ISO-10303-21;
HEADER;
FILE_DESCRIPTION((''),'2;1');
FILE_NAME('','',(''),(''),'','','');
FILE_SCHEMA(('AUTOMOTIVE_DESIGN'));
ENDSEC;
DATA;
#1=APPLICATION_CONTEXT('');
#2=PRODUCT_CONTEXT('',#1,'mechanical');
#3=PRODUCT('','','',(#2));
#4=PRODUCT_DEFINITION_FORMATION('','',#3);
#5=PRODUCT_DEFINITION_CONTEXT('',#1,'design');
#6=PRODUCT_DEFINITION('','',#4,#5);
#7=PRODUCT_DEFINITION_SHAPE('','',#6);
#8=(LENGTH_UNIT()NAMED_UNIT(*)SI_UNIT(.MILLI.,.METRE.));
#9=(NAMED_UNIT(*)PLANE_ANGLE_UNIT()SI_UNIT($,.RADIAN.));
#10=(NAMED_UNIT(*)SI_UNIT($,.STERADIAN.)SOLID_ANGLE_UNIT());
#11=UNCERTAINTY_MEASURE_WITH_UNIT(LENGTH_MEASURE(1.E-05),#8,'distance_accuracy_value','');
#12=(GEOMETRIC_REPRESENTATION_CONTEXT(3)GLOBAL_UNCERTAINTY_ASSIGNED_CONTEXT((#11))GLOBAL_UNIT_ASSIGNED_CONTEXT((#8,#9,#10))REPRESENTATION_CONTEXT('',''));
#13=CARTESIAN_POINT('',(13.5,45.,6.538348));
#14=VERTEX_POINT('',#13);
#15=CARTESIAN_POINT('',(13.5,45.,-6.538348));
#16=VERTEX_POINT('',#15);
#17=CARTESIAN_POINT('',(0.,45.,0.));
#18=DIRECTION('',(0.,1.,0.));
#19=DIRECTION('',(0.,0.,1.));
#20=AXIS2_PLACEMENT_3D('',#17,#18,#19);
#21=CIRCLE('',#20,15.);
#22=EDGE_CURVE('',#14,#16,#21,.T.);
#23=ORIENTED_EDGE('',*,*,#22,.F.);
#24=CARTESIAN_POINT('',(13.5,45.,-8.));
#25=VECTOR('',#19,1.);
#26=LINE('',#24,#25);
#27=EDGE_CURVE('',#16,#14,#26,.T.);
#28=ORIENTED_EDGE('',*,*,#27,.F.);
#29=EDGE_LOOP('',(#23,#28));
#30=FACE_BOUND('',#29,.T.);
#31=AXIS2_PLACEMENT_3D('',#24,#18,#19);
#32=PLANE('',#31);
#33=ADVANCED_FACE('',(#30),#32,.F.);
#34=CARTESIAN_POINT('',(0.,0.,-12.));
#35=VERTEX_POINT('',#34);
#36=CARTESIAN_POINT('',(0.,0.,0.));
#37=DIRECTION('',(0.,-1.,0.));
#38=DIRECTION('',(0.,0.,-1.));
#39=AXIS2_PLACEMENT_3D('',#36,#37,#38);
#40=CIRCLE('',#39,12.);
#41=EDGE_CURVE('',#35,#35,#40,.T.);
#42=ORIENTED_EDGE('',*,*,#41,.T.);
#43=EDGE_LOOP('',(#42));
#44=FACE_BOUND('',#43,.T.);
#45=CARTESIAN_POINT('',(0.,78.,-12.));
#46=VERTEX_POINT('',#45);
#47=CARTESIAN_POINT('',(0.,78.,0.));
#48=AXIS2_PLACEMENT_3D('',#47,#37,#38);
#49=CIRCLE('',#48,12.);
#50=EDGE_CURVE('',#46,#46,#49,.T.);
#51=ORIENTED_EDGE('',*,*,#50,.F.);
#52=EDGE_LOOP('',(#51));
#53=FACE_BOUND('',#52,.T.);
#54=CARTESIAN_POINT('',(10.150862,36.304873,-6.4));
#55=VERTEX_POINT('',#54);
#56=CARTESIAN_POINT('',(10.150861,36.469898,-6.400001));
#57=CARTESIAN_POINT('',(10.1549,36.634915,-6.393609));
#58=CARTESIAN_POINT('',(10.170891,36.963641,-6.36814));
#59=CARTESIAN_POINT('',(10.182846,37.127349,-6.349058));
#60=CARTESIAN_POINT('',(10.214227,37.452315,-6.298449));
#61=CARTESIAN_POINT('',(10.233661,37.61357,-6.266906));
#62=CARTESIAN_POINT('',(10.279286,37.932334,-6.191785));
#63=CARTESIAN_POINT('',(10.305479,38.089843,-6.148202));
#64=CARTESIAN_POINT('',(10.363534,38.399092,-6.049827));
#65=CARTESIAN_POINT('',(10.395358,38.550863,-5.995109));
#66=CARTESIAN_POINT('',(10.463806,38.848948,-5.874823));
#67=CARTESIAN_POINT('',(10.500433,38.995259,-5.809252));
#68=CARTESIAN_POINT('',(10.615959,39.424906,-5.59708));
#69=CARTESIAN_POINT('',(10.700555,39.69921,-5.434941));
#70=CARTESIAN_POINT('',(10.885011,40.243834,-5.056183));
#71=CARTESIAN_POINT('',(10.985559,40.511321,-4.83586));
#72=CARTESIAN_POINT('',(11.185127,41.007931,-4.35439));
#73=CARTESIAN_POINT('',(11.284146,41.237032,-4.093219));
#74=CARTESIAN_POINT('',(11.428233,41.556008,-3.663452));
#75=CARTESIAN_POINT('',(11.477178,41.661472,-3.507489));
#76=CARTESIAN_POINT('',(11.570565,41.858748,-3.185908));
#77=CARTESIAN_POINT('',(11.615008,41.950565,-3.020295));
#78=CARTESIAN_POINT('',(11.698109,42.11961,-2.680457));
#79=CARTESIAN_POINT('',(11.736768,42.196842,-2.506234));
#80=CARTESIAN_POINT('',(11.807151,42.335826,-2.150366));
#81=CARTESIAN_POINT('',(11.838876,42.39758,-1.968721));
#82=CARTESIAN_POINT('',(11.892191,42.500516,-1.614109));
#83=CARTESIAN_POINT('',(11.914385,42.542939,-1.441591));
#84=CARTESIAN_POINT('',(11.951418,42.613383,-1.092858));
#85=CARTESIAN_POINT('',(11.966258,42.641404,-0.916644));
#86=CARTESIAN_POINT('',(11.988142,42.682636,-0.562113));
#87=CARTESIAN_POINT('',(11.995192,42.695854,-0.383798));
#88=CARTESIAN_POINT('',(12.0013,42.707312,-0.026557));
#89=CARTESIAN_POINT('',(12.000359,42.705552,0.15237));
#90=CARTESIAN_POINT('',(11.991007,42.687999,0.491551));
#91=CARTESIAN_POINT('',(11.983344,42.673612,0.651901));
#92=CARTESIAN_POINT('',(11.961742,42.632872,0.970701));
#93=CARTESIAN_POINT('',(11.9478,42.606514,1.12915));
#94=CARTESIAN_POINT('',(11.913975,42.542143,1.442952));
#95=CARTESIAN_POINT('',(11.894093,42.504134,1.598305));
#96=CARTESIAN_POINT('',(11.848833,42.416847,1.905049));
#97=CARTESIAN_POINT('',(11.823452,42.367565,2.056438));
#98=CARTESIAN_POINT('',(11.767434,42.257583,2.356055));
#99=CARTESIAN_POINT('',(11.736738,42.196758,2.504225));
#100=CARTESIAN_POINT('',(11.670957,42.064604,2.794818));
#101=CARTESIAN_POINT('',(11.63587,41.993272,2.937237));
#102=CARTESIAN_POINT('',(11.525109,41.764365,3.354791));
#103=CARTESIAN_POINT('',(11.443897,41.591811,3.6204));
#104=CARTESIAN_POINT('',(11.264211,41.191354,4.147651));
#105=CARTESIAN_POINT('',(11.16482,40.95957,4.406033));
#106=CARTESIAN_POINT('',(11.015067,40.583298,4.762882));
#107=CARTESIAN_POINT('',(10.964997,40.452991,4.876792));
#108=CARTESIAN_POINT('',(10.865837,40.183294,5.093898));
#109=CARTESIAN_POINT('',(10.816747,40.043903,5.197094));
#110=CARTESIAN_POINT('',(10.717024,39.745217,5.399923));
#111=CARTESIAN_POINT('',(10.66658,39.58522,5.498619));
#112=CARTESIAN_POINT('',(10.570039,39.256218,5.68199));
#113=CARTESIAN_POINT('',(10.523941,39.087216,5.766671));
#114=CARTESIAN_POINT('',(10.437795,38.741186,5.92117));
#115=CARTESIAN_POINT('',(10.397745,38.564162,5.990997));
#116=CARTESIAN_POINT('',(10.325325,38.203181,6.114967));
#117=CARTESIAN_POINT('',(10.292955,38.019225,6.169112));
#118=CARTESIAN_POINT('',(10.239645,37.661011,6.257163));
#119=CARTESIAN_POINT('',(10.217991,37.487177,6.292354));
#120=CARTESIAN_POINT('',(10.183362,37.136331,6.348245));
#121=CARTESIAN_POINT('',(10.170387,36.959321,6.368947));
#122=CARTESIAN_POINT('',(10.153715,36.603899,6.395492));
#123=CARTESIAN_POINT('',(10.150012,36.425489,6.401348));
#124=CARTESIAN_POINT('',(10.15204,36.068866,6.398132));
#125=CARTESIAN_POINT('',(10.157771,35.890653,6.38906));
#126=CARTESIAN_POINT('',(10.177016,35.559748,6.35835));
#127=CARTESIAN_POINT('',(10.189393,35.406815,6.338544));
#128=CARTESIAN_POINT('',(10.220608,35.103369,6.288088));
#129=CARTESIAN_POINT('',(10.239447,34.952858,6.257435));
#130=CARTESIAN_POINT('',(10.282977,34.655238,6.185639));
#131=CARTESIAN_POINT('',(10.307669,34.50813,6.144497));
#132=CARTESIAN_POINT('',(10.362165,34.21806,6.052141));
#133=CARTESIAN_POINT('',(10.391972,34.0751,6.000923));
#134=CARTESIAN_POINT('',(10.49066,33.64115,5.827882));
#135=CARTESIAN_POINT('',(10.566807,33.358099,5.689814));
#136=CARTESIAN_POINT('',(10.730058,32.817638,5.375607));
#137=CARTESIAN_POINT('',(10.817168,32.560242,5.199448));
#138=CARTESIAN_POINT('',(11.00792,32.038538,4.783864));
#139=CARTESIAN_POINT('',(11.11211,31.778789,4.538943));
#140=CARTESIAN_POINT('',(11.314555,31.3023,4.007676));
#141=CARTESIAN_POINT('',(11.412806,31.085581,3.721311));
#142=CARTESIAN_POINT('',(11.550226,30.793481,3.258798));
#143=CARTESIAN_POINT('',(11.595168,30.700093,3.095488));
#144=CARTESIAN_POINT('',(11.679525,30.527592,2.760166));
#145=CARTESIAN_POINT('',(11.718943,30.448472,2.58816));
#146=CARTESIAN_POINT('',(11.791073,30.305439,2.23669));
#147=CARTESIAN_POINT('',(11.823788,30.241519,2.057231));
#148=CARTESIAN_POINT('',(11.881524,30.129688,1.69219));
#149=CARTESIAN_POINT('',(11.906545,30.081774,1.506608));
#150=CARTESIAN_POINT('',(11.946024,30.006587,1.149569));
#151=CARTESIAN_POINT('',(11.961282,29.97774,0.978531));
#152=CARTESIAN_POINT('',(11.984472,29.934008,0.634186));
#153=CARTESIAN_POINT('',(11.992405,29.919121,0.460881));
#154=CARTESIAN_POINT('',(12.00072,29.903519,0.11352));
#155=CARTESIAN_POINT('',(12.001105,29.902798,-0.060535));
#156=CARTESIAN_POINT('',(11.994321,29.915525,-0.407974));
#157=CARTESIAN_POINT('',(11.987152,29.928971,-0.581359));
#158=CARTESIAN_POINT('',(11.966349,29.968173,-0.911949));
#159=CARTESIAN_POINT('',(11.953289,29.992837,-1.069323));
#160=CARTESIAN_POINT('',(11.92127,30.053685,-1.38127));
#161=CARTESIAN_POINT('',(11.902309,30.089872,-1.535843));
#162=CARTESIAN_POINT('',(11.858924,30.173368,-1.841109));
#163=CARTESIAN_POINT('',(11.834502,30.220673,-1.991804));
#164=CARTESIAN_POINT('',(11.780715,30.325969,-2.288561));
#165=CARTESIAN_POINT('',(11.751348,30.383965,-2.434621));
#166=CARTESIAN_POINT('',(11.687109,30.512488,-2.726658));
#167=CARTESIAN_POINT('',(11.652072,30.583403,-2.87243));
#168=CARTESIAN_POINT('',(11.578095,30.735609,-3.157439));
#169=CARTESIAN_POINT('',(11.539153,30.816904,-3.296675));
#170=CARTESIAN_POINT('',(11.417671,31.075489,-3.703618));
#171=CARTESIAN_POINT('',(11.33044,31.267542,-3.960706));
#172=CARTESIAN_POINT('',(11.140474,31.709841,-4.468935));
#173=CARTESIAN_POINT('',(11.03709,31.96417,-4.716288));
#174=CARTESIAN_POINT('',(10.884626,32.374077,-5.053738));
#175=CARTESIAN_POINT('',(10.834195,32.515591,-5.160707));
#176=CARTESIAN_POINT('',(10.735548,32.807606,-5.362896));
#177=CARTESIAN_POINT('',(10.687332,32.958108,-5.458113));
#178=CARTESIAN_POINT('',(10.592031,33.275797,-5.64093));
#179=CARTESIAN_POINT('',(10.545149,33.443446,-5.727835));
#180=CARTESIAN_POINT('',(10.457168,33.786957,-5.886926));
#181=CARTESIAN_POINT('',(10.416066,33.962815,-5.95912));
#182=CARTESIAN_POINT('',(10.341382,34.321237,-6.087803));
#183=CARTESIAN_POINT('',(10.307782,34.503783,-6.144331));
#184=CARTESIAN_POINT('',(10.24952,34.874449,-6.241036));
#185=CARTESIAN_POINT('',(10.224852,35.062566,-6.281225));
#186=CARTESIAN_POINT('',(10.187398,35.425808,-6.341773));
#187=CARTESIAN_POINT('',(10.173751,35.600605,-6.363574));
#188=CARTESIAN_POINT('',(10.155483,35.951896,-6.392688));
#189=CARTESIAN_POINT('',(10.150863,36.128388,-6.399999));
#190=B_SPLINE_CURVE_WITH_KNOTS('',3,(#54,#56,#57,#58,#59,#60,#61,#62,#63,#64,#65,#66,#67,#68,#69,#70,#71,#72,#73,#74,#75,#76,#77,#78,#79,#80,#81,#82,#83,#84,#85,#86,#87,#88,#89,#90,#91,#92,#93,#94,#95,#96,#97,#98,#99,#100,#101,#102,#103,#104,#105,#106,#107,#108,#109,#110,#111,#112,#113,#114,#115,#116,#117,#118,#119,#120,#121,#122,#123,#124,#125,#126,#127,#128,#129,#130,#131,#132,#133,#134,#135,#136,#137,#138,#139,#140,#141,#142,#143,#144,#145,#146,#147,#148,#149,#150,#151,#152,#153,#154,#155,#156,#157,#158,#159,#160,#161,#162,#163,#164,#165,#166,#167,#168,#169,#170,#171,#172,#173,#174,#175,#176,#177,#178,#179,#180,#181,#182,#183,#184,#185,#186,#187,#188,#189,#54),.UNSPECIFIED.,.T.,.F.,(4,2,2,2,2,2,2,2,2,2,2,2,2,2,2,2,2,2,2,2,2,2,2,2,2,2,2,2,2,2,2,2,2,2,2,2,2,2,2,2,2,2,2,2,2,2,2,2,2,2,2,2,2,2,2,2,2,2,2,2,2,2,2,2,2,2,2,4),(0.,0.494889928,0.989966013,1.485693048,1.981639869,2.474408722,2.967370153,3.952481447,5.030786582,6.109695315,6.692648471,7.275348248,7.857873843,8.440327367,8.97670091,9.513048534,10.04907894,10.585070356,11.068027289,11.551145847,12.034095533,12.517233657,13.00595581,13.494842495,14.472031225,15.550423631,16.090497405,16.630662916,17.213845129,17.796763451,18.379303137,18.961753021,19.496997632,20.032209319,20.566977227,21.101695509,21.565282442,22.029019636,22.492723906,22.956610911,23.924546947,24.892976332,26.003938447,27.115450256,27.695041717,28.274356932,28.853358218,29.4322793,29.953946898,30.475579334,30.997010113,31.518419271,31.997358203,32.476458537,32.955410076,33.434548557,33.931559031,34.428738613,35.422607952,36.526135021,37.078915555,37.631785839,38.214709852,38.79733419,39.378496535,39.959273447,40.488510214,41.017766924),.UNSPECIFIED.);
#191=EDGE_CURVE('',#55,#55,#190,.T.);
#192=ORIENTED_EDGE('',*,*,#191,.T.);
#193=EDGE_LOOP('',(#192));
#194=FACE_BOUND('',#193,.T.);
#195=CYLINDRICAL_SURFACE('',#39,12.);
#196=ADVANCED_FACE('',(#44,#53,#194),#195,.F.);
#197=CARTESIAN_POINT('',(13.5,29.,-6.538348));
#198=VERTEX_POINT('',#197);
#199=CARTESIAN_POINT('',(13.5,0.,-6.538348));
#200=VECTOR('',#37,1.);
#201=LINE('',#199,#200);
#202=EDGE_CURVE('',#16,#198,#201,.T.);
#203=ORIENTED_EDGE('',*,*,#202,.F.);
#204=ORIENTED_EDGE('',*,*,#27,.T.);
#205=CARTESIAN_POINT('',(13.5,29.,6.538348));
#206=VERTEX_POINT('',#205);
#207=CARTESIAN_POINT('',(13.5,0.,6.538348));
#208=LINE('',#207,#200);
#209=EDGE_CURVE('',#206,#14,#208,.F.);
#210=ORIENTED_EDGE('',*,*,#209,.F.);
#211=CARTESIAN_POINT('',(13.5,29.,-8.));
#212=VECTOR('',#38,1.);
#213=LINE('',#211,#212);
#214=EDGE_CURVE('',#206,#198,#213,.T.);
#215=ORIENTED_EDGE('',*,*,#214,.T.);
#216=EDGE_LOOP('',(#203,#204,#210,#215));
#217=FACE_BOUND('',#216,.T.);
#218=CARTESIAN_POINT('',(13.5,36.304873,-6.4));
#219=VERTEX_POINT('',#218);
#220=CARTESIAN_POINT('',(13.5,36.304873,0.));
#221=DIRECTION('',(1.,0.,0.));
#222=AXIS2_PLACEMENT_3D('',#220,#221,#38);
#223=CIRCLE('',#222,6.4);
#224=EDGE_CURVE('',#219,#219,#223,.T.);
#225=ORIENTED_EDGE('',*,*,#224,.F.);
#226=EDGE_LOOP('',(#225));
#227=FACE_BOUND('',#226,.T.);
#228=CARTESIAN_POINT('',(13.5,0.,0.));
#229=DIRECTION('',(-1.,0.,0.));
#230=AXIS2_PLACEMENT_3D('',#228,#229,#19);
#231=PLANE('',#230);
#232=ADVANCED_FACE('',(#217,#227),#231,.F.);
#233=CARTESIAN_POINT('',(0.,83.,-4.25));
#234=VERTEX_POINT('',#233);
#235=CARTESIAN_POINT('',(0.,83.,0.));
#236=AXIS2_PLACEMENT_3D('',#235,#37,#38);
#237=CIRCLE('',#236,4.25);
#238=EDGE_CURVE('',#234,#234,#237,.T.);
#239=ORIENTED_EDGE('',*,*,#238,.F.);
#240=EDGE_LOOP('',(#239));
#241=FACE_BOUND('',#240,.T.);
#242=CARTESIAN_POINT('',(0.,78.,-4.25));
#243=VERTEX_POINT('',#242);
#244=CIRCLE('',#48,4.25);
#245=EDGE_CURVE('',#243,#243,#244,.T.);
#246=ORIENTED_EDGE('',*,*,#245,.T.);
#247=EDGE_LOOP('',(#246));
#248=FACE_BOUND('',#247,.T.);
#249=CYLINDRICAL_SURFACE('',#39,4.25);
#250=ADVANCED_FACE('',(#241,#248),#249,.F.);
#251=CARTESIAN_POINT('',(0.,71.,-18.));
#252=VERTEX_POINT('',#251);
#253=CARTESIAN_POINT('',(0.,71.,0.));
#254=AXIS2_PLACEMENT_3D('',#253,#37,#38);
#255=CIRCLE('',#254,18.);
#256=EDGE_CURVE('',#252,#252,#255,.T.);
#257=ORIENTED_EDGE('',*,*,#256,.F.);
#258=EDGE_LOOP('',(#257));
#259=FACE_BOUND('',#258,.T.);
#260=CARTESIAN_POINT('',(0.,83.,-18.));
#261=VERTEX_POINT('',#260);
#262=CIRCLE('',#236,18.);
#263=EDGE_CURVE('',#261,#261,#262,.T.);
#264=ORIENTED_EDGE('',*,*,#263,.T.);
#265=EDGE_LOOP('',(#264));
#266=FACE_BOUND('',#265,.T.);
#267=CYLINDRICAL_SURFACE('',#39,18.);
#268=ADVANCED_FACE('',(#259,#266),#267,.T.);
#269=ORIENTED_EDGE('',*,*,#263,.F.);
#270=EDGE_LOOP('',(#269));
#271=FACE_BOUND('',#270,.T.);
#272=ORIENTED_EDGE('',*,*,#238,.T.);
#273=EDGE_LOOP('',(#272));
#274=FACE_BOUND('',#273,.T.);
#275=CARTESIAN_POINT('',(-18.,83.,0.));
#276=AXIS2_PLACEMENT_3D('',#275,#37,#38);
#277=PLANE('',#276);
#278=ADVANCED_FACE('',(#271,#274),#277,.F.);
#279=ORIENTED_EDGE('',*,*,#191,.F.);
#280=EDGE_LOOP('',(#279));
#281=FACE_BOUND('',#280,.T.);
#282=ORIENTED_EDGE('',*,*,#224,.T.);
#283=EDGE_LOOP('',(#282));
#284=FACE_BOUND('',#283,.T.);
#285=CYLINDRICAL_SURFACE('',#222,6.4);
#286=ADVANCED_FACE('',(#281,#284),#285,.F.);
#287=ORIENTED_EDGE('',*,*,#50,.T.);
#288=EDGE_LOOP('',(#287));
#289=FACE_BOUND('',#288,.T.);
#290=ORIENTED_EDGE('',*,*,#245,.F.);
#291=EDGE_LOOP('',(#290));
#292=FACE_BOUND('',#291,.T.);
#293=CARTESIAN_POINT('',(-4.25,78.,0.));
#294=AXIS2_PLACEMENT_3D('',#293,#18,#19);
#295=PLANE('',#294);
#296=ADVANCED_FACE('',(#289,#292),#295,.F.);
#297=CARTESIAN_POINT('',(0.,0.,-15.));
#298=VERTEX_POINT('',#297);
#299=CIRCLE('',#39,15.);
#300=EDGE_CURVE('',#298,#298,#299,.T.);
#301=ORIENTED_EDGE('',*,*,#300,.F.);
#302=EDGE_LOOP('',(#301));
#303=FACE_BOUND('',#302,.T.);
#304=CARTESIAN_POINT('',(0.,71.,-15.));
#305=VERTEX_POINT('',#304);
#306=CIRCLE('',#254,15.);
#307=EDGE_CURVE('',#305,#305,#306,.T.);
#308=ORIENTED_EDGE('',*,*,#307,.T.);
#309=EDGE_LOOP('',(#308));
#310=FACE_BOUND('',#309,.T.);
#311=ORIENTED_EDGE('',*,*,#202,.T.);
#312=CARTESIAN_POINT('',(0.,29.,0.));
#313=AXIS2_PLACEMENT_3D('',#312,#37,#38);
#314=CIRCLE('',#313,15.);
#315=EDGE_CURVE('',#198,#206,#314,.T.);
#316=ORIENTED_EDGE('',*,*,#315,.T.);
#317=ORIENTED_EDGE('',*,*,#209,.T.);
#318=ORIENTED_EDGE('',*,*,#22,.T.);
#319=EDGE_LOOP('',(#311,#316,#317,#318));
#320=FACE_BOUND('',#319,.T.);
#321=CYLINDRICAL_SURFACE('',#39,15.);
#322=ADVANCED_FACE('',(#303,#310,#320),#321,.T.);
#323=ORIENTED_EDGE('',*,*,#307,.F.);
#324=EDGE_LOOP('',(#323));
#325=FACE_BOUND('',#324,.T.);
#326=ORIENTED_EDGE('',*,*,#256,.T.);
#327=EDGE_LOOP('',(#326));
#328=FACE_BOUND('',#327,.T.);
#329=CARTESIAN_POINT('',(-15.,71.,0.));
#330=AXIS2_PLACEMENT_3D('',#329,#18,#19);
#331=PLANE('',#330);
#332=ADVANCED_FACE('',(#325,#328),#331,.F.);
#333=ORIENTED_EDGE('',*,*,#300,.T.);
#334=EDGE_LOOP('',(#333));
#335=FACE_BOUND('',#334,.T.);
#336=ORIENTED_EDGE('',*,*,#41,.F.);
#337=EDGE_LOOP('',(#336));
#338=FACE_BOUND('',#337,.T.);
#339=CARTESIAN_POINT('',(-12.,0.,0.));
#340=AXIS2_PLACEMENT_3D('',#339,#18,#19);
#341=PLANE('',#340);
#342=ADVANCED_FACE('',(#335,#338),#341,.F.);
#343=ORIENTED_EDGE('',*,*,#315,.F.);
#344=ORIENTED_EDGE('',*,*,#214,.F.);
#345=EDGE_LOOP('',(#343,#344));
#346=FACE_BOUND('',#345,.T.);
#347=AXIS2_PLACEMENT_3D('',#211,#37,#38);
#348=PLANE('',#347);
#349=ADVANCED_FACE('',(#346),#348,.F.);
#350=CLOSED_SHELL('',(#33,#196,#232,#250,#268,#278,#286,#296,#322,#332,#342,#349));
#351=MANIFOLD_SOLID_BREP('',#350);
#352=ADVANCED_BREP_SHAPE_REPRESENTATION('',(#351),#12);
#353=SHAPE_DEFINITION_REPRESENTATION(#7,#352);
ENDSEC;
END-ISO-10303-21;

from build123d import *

# Parameters (mm, degrees)
TAGLIO_ESTRUSIONE1_START = 15
SCHIZZO2_W               = 16
SCHIZZO2_H               = 16
TAGLIO_ESTRUSIONE1_DEPTH = 1.5
FORO_12_8_12_8_1_D       = 12.8
FORO_12_8_12_8_1_DEPTH   = 15.154492038
FORO_12_8_12_8_1_TIP     = 3.845507962


with BuildPart() as part:
    # Schizzo1 → Rivoluzione1 (revolve)
    with BuildSketch(Plane.XY, mode=Mode.PRIVATE) as rivoluzione1_sk:
        Polygon((-12, 0), (-15, 0), (-15, 71), (-18, 71), (-18, 83), (-4.25, 83), (-4.25, 78), (-12, 78), align=None)
    revolve(rivoluzione1_sk.sketch.rotate(Axis((0, 0, 0), (0, 1, 0)), 270), axis=Axis((0, 0, 0), (0, 1, 0)))

    # Schizzo2 → Taglio-Estrusione1 (cut)
    with BuildSketch(Plane(origin=(0, 0, 0), x_dir=(0, 0, -1), z_dir=(1, 0, 0)).offset(TAGLIO_ESTRUSIONE1_START)):
        with Locations((0, 37)):
            Rectangle(SCHIZZO2_W, SCHIZZO2_H)
    extrude(amount=-TAGLIO_ESTRUSIONE1_DEPTH, mode=Mode.SUBTRACT)

    # Foro Ø12.8 (12.8)-1
    with Locations(Plane(origin=(13.5, 0, 0), x_dir=(0, 0, -1), z_dir=(1, 0, 0))):
        with Locations((0, 36.304872912)):
            Hole(FORO_12_8_12_8_1_D / 2, depth=FORO_12_8_12_8_1_DEPTH)
            with Locations((0, 0, -(FORO_12_8_12_8_1_DEPTH + FORO_12_8_12_8_1_TIP / 2))):  # 118° drill point
                Cone(0, FORO_12_8_12_8_1_D / 2, FORO_12_8_12_8_1_TIP, mode=Mode.SUBTRACT)


solid = part.part
